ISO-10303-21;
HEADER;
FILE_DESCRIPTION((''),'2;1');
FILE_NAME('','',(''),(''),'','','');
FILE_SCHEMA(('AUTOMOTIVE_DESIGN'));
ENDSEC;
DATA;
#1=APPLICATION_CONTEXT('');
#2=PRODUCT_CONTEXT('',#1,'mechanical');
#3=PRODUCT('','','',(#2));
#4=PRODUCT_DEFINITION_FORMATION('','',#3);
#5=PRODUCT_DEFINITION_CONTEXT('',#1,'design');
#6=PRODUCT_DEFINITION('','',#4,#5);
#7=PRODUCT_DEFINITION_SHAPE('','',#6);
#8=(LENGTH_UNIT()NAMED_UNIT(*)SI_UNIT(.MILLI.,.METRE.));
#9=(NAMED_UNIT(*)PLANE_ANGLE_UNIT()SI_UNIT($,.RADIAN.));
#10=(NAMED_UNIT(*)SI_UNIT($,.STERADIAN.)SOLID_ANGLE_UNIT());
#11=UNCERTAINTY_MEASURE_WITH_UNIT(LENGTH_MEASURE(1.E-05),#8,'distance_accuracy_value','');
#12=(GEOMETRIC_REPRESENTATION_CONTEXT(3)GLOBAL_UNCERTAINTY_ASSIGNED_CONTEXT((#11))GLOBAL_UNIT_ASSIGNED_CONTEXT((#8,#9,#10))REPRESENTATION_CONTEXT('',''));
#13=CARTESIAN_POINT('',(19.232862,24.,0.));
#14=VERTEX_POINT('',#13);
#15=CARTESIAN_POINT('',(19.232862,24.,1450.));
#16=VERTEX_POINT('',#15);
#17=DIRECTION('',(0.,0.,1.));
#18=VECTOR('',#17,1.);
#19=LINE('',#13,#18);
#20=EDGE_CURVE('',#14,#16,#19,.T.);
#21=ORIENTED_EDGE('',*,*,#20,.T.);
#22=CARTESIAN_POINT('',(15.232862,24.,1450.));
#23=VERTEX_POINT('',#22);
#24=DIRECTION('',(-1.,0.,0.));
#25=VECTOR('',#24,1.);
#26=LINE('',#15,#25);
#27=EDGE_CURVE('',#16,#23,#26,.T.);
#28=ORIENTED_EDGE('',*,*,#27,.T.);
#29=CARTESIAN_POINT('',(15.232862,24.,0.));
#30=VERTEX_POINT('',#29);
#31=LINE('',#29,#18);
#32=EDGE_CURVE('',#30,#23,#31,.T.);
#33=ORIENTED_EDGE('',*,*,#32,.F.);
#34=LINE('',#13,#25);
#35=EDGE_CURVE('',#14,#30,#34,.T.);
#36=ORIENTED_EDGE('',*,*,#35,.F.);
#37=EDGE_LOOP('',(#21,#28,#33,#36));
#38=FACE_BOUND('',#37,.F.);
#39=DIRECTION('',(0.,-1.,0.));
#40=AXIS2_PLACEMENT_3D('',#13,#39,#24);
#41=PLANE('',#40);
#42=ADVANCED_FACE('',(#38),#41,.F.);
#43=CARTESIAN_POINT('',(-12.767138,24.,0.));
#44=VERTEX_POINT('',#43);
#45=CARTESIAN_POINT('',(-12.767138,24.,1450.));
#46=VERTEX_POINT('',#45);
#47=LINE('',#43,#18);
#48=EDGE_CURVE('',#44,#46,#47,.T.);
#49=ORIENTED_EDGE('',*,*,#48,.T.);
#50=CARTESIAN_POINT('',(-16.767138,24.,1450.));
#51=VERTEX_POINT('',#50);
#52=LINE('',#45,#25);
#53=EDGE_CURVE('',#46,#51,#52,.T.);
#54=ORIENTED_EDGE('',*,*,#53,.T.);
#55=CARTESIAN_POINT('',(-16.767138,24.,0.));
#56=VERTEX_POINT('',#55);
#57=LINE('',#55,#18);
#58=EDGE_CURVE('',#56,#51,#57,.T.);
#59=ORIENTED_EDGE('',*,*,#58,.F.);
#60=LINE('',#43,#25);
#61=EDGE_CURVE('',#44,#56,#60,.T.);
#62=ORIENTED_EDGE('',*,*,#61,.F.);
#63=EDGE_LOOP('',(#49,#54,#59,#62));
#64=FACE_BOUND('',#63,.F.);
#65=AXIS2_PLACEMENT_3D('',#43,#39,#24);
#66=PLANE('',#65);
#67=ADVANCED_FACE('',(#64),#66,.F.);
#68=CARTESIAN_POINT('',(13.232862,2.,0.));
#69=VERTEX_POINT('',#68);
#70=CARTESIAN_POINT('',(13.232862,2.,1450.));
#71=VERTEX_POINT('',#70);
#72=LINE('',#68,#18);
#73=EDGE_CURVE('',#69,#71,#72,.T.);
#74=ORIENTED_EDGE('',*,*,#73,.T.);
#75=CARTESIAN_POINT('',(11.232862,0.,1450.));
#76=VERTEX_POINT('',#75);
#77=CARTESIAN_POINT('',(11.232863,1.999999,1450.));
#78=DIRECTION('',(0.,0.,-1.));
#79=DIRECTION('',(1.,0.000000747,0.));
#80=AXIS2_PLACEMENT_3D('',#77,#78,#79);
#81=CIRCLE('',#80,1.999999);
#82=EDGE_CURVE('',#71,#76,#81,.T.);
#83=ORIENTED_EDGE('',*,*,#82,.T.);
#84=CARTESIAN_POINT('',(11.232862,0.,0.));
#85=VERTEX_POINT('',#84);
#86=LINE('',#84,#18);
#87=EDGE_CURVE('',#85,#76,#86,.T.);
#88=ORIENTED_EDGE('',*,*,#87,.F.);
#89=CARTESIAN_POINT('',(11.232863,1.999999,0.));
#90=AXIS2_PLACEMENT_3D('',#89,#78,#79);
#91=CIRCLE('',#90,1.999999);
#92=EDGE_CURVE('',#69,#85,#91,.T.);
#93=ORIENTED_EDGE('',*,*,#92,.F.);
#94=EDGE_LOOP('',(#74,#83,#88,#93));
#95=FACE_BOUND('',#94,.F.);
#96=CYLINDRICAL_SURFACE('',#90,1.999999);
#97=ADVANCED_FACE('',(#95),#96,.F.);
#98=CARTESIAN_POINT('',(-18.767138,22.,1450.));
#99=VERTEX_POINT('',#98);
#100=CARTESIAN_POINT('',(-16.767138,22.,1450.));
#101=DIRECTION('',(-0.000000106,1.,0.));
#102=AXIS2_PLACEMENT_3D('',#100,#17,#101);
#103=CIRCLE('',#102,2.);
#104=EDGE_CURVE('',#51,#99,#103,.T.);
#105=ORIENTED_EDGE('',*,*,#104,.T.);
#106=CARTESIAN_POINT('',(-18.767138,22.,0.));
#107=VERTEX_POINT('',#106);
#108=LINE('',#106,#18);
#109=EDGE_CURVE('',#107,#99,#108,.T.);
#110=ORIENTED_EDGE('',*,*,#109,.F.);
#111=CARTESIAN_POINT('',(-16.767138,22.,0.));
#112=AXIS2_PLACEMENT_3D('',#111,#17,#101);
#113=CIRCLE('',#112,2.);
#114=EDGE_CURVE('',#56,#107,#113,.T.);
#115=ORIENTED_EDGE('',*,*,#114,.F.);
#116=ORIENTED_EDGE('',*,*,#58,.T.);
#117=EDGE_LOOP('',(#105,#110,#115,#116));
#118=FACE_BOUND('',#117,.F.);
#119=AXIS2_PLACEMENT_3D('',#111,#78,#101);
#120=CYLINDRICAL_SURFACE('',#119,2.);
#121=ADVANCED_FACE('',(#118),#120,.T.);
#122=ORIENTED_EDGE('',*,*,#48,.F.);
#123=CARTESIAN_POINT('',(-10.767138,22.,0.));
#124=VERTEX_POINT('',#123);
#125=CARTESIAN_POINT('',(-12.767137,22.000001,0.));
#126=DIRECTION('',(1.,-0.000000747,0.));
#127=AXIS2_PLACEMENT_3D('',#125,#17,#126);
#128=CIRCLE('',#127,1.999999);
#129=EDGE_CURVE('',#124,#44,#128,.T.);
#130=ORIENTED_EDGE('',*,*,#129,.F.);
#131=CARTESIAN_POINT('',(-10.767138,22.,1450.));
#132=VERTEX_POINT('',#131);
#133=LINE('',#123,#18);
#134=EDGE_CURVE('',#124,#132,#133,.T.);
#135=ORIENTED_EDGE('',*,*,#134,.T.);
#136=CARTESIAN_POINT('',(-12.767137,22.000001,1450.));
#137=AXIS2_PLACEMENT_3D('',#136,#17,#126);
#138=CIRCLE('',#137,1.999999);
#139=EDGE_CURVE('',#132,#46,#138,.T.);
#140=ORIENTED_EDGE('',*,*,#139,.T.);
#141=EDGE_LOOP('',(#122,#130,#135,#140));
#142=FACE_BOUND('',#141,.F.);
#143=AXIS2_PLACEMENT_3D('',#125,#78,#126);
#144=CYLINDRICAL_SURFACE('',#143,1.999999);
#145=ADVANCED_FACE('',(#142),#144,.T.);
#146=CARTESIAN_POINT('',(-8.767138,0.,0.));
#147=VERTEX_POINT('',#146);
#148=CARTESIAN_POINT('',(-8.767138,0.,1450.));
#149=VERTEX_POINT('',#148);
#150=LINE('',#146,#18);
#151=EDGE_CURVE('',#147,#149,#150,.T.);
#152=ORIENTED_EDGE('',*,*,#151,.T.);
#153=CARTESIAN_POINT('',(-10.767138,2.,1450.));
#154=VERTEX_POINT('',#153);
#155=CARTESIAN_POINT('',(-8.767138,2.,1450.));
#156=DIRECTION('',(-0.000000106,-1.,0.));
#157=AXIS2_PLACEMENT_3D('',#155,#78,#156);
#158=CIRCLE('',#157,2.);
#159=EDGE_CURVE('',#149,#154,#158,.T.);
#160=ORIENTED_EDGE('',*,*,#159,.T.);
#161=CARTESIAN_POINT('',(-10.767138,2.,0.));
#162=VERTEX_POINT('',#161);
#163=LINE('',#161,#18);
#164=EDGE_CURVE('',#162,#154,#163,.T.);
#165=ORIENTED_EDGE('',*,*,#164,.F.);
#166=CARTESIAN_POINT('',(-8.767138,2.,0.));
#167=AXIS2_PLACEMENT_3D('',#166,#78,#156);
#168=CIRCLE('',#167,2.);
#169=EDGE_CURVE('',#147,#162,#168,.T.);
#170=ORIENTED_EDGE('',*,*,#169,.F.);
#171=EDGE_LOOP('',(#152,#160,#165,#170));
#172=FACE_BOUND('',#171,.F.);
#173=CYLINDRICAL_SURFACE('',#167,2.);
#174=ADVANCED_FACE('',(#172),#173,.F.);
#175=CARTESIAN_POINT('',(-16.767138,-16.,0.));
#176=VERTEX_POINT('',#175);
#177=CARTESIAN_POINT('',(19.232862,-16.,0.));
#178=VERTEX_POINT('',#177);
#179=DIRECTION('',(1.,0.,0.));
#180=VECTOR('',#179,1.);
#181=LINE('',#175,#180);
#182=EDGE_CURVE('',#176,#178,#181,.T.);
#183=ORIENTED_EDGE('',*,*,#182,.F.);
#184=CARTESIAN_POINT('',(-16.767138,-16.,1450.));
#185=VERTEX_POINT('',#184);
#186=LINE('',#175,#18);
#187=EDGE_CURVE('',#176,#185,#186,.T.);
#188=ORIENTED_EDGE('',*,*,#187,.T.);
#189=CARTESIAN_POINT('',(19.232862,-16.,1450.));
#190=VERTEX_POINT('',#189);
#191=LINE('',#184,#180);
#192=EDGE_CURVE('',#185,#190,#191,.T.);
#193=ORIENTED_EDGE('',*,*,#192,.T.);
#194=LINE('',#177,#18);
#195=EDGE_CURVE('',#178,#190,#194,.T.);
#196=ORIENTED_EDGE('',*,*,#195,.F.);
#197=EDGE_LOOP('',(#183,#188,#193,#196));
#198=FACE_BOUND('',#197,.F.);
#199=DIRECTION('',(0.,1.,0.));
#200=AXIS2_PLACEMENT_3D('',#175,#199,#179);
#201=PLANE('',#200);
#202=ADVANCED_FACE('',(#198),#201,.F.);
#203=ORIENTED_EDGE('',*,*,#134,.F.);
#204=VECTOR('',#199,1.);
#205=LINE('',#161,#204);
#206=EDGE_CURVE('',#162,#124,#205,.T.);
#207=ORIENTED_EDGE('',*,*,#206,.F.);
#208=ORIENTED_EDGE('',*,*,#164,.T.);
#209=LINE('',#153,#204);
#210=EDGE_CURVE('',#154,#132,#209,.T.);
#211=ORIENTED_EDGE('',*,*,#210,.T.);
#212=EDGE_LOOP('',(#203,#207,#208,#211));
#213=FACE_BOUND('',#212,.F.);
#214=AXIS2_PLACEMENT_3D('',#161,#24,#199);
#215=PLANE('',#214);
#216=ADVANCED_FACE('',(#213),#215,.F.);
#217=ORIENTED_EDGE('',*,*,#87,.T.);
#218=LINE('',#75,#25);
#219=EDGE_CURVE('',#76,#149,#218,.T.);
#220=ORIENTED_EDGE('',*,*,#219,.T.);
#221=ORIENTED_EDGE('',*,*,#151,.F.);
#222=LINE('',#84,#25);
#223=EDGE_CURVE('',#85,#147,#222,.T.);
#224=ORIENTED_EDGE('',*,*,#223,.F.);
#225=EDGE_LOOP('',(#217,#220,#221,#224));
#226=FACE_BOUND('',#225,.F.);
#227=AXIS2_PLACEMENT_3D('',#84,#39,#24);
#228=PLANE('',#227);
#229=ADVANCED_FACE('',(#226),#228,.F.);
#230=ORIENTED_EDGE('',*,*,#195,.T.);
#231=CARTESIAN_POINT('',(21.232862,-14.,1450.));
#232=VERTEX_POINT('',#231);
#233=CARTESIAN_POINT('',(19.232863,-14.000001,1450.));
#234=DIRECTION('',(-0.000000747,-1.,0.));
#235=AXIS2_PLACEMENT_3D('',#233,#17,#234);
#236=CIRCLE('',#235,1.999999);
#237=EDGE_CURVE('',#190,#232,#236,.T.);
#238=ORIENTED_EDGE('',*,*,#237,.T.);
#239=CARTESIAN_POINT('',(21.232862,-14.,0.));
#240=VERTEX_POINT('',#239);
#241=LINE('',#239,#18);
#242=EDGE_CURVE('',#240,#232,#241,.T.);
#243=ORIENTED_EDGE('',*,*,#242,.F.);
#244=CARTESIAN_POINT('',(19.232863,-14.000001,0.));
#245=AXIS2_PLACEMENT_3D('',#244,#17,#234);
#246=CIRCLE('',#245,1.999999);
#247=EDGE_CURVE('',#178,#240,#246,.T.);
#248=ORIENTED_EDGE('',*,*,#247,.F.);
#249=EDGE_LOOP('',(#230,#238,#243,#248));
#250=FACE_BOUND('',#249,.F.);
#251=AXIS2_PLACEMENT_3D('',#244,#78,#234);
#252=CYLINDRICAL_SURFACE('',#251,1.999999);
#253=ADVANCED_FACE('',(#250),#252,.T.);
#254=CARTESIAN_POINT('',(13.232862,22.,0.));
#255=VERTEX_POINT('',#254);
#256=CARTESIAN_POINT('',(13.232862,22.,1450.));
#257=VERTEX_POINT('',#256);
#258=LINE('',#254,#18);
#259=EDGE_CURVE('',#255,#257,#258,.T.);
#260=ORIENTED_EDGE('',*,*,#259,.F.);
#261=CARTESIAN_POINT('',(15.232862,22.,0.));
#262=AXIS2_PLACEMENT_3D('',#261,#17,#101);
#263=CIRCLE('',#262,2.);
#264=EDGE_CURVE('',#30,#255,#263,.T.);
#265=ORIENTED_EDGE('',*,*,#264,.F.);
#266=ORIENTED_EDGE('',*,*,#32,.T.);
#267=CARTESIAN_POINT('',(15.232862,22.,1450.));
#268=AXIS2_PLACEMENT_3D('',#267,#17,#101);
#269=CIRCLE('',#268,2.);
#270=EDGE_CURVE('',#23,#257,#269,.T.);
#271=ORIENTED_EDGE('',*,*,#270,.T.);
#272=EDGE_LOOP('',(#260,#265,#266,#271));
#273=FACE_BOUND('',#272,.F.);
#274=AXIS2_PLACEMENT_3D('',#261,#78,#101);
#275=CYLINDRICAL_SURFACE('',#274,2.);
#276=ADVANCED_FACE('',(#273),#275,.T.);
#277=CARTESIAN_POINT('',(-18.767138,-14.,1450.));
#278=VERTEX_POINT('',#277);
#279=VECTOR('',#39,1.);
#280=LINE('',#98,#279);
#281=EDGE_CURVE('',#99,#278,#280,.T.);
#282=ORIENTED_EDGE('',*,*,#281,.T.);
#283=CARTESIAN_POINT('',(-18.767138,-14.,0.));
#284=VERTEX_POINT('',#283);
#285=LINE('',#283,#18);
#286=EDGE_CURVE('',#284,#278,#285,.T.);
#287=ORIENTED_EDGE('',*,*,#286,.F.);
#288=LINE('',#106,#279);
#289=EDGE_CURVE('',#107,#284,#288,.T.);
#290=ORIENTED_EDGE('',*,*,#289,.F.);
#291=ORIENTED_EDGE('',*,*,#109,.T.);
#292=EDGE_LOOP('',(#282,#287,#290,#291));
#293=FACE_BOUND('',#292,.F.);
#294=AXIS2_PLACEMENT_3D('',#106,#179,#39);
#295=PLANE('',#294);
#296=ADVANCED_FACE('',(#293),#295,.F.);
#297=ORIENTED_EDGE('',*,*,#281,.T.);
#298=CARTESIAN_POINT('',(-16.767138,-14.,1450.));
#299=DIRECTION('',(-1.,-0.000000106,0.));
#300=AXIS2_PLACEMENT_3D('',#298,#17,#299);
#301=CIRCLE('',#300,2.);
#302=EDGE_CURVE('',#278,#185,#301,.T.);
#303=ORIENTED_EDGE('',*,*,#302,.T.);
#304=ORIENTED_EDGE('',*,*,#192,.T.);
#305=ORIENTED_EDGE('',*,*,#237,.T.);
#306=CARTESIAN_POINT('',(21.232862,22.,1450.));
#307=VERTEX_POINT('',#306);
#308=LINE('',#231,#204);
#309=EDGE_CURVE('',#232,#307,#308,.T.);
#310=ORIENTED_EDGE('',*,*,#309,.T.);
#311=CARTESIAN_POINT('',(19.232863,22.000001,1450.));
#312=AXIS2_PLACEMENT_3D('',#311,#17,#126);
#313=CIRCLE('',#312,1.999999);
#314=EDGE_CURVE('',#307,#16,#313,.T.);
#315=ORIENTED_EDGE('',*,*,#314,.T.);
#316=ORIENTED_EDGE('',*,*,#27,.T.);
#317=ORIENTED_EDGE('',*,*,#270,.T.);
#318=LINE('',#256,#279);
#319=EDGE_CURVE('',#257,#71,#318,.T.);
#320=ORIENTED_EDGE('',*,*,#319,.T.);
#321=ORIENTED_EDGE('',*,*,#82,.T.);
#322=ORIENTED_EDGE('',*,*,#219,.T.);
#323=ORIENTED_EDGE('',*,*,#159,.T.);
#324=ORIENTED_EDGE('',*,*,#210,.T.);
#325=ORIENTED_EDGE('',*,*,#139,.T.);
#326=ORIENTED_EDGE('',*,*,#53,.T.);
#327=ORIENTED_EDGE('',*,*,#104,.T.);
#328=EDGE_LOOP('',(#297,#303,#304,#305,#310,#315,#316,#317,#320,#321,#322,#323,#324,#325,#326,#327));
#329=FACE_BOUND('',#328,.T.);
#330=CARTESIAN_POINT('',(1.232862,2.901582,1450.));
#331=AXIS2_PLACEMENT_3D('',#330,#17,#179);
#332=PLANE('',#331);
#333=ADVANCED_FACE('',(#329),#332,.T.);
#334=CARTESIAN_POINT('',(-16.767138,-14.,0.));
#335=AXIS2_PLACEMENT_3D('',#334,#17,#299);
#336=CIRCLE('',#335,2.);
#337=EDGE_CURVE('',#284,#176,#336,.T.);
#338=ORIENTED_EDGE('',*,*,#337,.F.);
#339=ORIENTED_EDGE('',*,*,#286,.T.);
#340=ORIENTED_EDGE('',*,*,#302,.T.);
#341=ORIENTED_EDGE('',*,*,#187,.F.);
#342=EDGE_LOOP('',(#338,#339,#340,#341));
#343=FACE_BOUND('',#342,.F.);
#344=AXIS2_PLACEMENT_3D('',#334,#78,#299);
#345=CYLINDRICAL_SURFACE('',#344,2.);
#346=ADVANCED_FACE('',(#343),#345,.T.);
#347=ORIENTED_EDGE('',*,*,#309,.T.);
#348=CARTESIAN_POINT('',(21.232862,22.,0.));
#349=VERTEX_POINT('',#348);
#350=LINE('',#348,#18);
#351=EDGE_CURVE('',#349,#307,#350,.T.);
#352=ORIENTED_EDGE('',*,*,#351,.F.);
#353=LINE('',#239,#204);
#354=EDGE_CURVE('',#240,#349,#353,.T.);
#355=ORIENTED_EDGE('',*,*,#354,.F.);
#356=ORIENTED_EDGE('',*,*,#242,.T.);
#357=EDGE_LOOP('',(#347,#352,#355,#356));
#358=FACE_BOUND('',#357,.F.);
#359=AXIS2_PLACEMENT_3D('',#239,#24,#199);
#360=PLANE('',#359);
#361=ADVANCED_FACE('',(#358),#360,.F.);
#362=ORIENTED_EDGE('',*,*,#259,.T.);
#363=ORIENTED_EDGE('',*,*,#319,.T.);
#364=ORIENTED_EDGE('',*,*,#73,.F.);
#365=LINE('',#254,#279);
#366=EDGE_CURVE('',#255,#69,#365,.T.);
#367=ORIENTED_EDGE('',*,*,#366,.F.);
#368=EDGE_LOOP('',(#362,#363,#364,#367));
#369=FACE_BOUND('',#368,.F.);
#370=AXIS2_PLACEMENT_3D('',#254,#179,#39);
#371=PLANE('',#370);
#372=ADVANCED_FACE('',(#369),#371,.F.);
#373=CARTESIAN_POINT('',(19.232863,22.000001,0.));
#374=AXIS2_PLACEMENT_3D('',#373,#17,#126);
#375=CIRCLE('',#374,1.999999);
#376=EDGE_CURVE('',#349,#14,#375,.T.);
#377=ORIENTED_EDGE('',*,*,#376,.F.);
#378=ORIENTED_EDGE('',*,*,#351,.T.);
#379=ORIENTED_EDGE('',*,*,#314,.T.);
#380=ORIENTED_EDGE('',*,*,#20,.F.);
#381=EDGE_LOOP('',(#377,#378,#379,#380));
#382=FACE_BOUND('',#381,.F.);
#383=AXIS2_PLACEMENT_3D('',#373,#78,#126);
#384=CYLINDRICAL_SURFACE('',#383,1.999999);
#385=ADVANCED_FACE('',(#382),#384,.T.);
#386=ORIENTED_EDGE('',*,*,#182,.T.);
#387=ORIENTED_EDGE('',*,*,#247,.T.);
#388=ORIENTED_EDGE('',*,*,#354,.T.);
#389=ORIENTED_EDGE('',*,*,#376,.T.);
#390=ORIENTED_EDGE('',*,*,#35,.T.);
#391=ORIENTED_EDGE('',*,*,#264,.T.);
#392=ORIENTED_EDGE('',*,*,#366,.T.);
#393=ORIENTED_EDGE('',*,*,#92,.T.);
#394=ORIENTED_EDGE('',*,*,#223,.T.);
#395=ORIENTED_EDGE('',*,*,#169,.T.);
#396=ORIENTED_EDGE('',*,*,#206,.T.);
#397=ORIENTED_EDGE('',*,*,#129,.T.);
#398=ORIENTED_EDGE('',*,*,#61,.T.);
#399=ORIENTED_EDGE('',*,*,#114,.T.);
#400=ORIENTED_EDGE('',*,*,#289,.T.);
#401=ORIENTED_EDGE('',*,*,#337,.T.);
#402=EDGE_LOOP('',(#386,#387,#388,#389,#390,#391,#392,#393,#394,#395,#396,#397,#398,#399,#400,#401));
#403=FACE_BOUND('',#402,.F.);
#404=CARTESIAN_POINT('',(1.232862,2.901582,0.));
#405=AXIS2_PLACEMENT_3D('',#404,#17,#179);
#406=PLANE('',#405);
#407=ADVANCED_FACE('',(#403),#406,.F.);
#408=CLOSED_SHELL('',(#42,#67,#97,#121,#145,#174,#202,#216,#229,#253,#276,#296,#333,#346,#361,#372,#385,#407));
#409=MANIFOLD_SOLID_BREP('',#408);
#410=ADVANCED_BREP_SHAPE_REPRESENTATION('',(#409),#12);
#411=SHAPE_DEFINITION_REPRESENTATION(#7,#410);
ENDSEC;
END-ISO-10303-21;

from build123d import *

# Parameters (mm, degrees)
F1_DEPTH = 1450


with BuildPart() as f1:
    # F0 (on Top) → F1 (new body)
    with BuildSketch(Plane.XY):
        with BuildLine():
            Line((-12.767138, 24), (-16.767138, 24))
            ThreePointArc((-16.767138, 24), (-18.181351, 23.414214), (-18.767138, 22))
            Line((-18.767138, 22), (-18.767138, -14))
            ThreePointArc((-18.767138, -14), (-18.181351, -15.414214), (-16.767138, -16))
            Line((-16.767138, -16), (19.232862, -16))
            ThreePointArc((19.232862, -16), (20.647076, -15.414214), (21.232862, -14))
            Line((21.232862, -14), (21.232862, 22))
            ThreePointArc((21.232862, 22), (20.647076, 23.414214), (19.232862, 24))
            Line((19.232862, 24), (15.232862, 24))
            ThreePointArc((15.232862, 24), (13.818649, 23.414214), (13.232862, 22))
            Line((13.232862, 22), (13.232862, 2))
            ThreePointArc((13.232862, 2), (12.647076, 0.585786), (11.232862, 0))
            Line((11.232862, 0), (-8.767138, 0))
            ThreePointArc((-8.767138, 0), (-10.181351, 0.585786), (-10.767138, 2))
            Line((-10.767138, 2), (-10.767138, 22))
            ThreePointArc((-10.767138, 22), (-11.352924, 23.414214), (-12.767138, 24))
        make_face()
    extrude(amount=F1_DEPTH)


solid = f1.part
